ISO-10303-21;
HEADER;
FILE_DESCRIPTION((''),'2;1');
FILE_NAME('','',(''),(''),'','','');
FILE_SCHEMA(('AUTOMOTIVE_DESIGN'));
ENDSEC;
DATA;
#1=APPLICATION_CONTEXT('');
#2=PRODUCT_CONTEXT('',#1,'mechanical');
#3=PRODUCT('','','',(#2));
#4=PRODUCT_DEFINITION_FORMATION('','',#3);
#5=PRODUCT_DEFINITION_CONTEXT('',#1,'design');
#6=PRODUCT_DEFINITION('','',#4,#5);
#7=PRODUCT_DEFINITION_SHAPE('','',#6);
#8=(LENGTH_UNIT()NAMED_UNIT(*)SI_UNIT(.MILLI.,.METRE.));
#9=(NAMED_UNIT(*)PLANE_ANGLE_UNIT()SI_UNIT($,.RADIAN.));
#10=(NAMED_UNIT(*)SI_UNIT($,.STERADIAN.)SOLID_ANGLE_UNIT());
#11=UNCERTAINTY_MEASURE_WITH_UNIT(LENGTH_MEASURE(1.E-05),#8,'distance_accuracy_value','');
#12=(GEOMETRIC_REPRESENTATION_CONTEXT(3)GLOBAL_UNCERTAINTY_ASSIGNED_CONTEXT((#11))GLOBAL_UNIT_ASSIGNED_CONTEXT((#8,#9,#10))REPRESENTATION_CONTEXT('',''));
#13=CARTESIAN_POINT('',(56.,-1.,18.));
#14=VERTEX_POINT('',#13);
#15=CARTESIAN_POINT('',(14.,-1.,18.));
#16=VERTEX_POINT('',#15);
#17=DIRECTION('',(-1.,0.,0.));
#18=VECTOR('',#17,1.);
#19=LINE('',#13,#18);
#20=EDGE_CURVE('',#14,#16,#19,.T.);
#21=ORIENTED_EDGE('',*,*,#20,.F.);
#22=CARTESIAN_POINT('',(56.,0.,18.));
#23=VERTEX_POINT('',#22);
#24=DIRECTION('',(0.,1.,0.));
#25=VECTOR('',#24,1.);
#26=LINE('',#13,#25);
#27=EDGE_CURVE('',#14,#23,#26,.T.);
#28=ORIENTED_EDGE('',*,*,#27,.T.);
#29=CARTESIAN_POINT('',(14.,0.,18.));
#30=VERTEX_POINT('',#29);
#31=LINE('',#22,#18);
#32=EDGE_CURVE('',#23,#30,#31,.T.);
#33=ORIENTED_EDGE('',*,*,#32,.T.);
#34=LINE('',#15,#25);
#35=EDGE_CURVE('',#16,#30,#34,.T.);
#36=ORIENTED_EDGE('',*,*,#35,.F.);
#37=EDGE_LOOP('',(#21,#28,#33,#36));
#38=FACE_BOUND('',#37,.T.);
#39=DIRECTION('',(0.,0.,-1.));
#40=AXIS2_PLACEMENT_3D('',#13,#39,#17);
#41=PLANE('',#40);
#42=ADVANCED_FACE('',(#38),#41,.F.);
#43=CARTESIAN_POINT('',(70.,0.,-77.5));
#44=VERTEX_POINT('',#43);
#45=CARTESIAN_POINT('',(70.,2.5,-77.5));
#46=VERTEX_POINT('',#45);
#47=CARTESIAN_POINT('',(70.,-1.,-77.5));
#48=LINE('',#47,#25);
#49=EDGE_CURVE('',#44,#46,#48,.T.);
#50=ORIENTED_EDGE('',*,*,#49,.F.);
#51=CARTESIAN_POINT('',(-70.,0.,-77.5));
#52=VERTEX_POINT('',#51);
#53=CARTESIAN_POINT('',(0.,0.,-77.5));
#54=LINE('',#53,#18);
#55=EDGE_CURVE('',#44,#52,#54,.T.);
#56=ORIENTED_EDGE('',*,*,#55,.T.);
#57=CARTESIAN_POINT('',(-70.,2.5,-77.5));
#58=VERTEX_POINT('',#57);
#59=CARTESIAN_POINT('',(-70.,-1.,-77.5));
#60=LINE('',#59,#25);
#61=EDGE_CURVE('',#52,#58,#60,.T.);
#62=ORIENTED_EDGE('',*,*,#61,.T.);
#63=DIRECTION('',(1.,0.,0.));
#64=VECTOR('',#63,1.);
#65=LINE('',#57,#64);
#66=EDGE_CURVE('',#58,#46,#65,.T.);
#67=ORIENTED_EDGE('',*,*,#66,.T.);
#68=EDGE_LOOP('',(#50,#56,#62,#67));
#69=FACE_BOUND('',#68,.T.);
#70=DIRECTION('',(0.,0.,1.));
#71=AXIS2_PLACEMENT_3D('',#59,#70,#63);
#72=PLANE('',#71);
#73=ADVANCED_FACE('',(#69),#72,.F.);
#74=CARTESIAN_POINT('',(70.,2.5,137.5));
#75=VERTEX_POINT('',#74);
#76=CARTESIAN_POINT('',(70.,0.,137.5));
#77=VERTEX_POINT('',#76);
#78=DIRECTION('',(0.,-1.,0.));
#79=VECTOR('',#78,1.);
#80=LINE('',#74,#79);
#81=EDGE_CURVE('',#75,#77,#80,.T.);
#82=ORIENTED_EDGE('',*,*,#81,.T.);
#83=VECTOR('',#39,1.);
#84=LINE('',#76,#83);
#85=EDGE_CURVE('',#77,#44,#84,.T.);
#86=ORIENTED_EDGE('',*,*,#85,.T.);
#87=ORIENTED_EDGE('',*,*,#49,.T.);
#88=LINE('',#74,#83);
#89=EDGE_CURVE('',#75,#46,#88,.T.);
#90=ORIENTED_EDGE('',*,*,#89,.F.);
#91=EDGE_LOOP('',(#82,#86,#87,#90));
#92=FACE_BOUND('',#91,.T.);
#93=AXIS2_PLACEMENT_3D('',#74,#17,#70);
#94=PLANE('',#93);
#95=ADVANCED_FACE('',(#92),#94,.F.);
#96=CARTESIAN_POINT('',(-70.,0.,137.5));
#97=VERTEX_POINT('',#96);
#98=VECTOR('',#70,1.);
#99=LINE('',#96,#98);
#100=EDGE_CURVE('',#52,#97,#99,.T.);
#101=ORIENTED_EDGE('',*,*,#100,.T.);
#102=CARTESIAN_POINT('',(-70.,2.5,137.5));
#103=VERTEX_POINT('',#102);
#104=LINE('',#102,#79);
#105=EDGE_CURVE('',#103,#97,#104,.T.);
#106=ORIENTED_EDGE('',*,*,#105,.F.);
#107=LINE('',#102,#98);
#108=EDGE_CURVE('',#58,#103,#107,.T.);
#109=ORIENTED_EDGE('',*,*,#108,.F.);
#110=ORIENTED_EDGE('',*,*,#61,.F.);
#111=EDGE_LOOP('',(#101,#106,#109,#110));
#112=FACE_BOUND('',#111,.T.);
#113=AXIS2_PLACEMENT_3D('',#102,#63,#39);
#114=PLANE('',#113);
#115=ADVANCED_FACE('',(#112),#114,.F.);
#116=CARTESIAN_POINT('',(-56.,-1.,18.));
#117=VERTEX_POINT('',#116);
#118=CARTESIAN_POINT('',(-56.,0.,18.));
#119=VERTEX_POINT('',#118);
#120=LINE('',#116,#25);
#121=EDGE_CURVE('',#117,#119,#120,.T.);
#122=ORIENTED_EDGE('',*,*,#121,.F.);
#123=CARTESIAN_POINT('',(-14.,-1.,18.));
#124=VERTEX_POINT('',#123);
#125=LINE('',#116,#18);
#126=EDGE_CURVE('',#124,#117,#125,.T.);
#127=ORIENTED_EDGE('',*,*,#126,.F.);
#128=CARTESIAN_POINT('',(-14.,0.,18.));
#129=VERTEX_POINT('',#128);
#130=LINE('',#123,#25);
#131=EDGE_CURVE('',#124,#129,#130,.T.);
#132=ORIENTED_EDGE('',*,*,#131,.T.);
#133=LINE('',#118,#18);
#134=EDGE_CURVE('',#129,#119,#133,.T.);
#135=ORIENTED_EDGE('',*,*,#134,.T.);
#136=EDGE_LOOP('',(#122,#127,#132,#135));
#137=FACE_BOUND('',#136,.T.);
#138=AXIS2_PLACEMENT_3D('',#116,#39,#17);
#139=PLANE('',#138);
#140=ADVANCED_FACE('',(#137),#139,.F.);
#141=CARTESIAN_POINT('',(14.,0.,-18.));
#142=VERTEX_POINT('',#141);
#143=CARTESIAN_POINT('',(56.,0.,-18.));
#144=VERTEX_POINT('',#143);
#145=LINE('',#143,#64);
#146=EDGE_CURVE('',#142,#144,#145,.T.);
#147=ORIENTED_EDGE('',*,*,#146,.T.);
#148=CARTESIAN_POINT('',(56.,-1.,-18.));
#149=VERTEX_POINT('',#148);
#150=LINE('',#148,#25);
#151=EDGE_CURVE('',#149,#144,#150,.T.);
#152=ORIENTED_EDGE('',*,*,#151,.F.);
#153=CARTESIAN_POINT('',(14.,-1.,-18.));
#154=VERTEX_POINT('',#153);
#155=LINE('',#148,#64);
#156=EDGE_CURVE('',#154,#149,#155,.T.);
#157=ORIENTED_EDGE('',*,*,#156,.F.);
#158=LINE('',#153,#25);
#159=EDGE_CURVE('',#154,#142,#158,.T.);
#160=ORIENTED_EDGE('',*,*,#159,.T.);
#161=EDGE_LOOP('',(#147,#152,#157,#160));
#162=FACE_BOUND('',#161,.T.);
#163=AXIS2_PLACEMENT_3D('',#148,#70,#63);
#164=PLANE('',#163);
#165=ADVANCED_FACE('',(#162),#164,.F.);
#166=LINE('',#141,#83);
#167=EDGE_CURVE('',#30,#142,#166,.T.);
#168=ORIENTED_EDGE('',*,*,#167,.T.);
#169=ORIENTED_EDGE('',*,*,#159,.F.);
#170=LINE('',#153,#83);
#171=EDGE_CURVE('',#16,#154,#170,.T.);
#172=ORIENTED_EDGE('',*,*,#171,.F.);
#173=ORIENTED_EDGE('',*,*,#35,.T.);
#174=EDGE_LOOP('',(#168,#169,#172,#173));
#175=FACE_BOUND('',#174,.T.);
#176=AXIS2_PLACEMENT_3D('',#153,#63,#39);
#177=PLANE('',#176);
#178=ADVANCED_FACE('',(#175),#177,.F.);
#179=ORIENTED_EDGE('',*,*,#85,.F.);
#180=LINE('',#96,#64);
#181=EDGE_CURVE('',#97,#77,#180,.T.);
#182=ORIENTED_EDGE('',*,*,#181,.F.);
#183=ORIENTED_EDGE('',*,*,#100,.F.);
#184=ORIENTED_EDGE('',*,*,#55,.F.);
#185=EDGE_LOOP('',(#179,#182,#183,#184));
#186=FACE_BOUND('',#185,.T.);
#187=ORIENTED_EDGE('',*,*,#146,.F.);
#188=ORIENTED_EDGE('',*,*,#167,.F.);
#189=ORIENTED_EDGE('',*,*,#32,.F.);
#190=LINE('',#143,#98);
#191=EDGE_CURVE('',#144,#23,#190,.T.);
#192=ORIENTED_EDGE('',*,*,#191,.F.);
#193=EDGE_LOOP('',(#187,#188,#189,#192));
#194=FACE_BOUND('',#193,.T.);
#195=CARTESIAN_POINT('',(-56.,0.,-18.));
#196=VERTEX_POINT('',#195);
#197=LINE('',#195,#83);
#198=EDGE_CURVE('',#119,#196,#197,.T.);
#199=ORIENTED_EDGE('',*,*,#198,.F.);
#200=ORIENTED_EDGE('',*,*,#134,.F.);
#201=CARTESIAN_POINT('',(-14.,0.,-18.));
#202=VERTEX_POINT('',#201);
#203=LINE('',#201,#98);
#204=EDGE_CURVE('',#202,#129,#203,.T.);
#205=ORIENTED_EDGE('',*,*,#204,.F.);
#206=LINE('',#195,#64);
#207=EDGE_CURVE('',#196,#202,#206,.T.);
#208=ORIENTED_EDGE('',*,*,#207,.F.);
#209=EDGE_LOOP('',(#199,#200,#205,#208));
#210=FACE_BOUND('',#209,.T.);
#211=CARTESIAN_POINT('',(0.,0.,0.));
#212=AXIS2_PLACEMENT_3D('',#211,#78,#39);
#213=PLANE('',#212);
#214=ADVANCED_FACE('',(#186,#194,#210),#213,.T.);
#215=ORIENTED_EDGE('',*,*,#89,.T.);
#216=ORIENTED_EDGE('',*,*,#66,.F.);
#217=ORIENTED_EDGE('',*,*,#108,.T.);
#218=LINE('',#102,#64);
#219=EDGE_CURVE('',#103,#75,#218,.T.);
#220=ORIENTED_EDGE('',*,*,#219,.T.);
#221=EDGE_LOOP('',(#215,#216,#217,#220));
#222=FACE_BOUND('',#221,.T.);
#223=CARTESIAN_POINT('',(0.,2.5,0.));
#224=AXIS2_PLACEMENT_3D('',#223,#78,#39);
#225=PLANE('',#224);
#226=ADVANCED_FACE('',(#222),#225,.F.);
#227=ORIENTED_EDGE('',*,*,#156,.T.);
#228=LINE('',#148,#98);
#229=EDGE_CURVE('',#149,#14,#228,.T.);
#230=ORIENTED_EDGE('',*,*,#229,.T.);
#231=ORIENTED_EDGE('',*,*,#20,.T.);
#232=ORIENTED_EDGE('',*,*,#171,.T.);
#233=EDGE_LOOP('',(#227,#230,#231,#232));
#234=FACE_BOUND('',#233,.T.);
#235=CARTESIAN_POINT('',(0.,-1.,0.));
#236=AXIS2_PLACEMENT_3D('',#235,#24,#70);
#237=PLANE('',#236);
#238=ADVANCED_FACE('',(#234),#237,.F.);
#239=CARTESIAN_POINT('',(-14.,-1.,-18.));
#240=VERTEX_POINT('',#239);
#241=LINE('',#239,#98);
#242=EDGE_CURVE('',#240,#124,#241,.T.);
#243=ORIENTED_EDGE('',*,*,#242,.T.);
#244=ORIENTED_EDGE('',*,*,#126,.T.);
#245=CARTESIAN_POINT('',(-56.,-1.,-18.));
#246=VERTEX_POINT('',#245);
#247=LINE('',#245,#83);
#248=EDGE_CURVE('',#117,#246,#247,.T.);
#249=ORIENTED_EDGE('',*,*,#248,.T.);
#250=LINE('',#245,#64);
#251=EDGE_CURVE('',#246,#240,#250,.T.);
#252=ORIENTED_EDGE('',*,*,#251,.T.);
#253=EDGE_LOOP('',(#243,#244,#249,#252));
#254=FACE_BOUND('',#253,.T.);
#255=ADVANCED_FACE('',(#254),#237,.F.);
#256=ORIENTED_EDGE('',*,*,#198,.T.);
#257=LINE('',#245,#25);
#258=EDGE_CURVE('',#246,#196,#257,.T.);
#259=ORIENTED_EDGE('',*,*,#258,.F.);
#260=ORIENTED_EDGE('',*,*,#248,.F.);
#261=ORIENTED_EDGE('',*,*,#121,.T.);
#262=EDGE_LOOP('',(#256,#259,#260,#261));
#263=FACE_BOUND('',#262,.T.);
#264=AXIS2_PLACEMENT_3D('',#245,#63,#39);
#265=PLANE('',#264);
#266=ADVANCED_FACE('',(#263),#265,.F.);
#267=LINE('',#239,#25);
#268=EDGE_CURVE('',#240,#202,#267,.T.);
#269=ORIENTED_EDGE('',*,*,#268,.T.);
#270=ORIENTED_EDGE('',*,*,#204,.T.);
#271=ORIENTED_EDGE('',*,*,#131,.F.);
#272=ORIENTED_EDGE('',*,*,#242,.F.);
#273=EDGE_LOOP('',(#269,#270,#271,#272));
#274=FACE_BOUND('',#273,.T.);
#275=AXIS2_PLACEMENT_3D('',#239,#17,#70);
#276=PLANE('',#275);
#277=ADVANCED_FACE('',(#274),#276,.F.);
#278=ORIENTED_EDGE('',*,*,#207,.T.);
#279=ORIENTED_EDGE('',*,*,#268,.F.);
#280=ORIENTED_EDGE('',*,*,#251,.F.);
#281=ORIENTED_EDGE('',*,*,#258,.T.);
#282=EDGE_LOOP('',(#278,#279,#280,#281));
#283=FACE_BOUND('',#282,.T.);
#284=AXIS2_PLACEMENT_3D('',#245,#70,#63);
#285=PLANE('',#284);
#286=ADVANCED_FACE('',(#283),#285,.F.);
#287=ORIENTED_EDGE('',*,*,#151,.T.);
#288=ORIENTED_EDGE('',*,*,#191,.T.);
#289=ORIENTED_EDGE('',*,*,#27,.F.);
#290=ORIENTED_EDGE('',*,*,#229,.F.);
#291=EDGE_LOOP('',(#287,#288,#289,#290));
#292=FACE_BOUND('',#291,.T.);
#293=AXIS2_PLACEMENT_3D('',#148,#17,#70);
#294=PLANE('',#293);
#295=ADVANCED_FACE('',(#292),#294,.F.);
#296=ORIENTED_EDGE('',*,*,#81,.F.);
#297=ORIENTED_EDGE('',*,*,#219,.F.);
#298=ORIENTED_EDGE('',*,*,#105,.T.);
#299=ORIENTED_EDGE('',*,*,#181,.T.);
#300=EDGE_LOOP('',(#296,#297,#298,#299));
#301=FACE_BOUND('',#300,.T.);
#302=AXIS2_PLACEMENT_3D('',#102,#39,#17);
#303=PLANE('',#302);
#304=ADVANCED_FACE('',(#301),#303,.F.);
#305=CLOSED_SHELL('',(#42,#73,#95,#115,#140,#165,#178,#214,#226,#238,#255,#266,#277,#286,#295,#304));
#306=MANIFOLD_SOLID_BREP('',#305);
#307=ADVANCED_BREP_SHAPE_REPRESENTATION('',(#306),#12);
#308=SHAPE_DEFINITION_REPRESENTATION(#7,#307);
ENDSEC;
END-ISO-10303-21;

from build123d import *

# Parameters (mm, degrees)
CROQUIS1_W              = 140
CROQUIS1_H              = 275
SALIENTE_EXTRUIR1_DEPTH = 2.5
CROQUIS2_W              = 42
CROQUIS2_H              = 36
SALIENTE_EXTRUIR2_DEPTH = 1
CROQUIS3_W              = 140
CROQUIS3_H              = 60
CORTAR_EXTRUIR1_DEPTH   = 4.5


with BuildPart() as part:
    # Croquis1 → Saliente-Extruir1 (new body)
    with BuildSketch(Plane(origin=(0, 0, 0), x_dir=(1, 0, 0), z_dir=(0, 1, 0))):
        Rectangle(CROQUIS1_W, CROQUIS1_H)
    extrude(amount=SALIENTE_EXTRUIR1_DEPTH)

    # Croquis2 → Saliente-Extruir2 (add)
    with BuildSketch(Plane(origin=(0, 0, 0), x_dir=(-1, 0, 0), z_dir=(0, -1, 0))):
        with Locations((35, 0)):
            Rectangle(CROQUIS2_W, CROQUIS2_H)
        with Locations((-35, 0)):
            Rectangle(CROQUIS2_W, CROQUIS2_H)
    extrude(amount=SALIENTE_EXTRUIR2_DEPTH)

    # Croquis3 → Cortar-Extruir1 (cut, through all)
    with BuildSketch(Plane(origin=(0, 2.5, 0), x_dir=(1, 0, 0), z_dir=(0, 1, 0))):
        with Locations((0, 107.5)):
            Rectangle(CROQUIS3_W, CROQUIS3_H)
    extrude(amount=-CORTAR_EXTRUIR1_DEPTH, mode=Mode.SUBTRACT)


solid = part.part
